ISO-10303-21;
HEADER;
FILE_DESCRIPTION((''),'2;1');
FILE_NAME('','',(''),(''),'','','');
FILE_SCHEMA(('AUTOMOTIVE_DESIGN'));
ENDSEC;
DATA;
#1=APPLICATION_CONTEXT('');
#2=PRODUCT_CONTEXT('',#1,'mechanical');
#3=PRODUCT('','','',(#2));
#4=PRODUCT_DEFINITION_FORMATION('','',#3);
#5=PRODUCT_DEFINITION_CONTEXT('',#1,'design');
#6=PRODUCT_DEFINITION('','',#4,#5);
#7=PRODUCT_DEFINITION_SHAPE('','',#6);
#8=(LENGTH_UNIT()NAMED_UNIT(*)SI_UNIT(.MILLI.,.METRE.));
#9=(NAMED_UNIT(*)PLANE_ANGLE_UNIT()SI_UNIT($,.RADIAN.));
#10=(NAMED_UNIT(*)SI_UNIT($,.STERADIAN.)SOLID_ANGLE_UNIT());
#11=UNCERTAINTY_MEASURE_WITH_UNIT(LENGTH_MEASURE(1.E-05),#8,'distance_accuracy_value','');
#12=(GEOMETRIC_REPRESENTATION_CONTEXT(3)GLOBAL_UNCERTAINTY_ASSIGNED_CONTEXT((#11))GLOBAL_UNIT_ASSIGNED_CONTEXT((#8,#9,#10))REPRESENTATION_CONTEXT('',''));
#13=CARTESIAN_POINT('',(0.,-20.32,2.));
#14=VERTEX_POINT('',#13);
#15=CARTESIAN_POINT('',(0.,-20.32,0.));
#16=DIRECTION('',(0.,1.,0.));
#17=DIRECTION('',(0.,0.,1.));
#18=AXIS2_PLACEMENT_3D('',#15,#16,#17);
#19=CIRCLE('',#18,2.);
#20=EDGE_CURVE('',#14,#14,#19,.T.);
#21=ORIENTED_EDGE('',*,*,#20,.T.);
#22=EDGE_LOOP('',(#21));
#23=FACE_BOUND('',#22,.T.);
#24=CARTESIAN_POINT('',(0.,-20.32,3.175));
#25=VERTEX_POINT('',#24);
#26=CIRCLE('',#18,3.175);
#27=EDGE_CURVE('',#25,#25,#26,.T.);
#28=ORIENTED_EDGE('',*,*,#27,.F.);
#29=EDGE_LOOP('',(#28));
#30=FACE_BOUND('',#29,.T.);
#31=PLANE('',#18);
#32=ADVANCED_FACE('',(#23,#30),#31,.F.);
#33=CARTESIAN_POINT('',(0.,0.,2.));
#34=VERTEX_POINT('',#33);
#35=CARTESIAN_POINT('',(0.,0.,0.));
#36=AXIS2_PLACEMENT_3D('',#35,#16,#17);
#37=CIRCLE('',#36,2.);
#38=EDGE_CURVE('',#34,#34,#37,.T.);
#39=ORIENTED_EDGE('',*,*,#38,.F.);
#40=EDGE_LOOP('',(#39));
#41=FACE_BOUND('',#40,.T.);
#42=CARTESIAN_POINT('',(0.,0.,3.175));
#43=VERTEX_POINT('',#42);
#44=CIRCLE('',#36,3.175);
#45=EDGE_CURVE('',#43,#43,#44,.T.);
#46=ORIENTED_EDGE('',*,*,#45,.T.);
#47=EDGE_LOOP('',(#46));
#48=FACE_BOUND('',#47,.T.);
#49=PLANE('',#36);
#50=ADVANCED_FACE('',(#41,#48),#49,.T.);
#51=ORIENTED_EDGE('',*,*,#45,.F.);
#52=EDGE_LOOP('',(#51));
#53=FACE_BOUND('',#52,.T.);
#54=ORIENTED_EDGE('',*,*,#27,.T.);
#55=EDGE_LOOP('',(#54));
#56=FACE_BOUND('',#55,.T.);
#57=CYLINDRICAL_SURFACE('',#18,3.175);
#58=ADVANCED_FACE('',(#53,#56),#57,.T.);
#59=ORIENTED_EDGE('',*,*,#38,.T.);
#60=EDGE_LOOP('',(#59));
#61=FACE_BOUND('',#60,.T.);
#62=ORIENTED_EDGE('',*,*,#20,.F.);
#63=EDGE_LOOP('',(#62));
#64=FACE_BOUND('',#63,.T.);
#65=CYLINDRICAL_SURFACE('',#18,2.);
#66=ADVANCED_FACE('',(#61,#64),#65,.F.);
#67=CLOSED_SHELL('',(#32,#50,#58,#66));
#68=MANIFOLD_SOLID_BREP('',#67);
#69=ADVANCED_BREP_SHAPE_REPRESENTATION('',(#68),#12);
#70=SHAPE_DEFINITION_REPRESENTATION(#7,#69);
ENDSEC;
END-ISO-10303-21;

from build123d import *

# Parameters (mm, degrees)
SKETCH2_R           = 3.175
SKETCH2_R_2         = 2
BOSS_EXTRUDE1_DEPTH = 20.32


with BuildPart() as part:
    # Sketch2 → Boss-Extrude1 (new body)
    with BuildSketch(Plane(origin=(0, 0, 0), x_dir=(1, 0, 0), z_dir=(0, 1, 0))):
        with Locations(Location((0, 0, 0), (0, 0, 270))):
            Circle(SKETCH2_R)
        with Locations(Location((0, 0, 0), (0, 0, 270))):
            Circle(SKETCH2_R_2, mode=Mode.SUBTRACT)
    extrude(amount=-BOSS_EXTRUDE1_DEPTH)


solid = part.part
